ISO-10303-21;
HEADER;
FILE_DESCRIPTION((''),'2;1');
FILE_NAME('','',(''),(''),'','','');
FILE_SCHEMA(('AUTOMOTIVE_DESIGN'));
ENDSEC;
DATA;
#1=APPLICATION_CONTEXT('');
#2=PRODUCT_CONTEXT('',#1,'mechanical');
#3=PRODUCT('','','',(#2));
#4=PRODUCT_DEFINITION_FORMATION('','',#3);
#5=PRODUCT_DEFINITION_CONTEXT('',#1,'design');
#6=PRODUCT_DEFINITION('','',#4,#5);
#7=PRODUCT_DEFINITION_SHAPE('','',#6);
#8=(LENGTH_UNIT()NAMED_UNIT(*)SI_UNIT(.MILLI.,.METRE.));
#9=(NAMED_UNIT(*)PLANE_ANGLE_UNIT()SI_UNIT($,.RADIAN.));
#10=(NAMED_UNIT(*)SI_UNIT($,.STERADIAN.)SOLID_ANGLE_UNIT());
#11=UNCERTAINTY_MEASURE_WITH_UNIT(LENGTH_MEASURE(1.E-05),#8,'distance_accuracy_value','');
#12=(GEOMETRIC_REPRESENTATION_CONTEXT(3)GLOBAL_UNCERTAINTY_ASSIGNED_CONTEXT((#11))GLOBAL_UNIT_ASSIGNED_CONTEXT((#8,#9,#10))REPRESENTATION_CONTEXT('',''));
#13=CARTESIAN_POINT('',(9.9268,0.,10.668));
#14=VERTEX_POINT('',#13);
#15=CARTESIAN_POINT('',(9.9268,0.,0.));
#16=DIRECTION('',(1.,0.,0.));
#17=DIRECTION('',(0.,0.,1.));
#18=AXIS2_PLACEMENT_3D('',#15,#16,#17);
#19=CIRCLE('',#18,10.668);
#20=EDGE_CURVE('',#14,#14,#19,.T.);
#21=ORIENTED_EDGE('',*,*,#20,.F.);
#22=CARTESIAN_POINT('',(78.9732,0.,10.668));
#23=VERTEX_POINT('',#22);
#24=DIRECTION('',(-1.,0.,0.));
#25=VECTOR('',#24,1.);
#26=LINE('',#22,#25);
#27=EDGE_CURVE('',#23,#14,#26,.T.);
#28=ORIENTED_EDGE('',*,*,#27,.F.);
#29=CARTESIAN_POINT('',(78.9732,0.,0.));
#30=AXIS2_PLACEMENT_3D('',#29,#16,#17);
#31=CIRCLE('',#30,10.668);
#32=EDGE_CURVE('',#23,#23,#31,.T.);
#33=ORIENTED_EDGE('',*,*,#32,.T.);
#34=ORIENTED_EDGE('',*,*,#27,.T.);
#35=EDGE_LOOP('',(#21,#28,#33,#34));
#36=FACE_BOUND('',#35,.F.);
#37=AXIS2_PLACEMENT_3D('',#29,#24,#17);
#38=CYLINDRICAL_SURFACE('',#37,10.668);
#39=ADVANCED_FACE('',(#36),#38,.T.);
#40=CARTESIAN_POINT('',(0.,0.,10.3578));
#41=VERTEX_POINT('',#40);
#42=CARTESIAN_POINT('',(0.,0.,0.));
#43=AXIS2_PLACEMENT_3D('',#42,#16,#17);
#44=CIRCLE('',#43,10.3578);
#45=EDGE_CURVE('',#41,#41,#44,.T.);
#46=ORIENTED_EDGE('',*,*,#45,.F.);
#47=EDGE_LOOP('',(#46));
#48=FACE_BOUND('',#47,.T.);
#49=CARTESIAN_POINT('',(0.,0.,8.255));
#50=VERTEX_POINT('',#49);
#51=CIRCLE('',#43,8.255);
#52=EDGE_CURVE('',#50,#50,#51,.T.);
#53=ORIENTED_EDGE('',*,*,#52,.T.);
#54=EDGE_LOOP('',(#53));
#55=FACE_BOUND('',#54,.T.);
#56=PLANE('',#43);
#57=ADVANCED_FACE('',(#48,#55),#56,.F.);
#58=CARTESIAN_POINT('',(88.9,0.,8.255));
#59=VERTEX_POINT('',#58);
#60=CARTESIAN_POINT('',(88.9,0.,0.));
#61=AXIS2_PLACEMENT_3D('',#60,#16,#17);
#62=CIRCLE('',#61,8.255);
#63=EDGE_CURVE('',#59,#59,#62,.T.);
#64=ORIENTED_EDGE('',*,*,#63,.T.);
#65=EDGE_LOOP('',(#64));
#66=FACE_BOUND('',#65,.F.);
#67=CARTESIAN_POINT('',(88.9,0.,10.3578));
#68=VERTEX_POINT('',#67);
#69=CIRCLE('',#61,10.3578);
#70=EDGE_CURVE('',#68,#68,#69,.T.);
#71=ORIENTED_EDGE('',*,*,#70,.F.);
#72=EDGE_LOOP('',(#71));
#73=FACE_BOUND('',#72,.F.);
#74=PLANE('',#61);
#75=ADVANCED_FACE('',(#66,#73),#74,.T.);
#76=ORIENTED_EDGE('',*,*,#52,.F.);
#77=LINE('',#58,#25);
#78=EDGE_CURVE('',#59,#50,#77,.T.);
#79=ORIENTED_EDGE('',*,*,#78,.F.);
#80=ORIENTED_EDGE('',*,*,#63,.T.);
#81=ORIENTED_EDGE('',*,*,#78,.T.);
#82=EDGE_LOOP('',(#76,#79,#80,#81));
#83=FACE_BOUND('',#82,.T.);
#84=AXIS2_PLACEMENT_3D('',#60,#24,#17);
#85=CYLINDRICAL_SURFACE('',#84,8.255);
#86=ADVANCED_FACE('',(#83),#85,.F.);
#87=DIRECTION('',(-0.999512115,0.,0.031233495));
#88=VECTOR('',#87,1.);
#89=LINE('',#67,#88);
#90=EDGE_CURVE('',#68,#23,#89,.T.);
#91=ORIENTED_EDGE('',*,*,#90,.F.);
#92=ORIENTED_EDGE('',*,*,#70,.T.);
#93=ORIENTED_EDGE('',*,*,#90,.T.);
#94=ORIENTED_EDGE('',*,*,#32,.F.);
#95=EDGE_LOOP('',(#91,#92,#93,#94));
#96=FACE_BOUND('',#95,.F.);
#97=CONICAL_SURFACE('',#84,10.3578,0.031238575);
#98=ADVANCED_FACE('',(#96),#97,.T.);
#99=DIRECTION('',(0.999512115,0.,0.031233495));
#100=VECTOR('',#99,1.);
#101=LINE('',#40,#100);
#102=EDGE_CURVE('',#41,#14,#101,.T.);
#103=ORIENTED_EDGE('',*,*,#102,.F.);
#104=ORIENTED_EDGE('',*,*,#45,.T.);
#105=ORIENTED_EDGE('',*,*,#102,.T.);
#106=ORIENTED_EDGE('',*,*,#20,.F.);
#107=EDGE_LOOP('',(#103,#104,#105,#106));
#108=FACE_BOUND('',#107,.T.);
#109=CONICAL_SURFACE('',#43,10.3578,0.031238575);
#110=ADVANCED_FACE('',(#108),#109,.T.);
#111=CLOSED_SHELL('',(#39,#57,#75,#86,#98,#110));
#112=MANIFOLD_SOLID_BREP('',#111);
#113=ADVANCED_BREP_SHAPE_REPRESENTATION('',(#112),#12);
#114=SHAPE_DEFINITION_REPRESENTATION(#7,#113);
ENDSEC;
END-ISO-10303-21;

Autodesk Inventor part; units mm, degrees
ref_plane "YZ Plane" through (0, 0, 0) normal (1, 0, 0) x (0, 1, 0)
ref_plane "XZ Plane" through (0, 0, 0) normal (0, 1, 0) x (-1, 0, 0)
ref_plane "XY Plane" through (0, 0, 0) normal (0, 0, 1) x (1, 0, 0)
sketch "Sketch1" plane through (0, 0, 0) normal (0, 1, 0) x (-1, 0, 0)
  line L0 (0, 0) -> (-88.9, 0)
  line L1 (-88.9, 0) -> (-88.9, 8.255) construction
  line L2 (-88.9, 8.255) -> (-88.9, 10.3578)
  line L3 (-88.9, 10.3578) -> (-78.9732, 10.668)
  line L4 (-78.9732, 10.668) -> (-9.9268, 10.668)
  line L5 (-44.45, 0) -> (-44.45, 10.668) construction
  line L6 (-88.9, 8.255) -> (0, 8.255)
  line L7 (0, 0) -> (0, 8.255) construction
  line L8 (0, 8.255) -> (0, 10.3578)
  line L9 (0, 10.3578) -> (-9.9268, 10.668)
  line L10 (-75.344, 10.7814) -> (-75.344, 0) construction
  line L11 (-13.556, 10.7814) -> (-13.556, 0) construction
  line L12 (-78.9732, 10.668) -> (-75.344, 10.7814) construction
  line L13 (-78.9732, 10.668) -> (-78.9732, 0) construction
  line L14 (-9.9268, 10.668) -> (-13.556, 10.7814) construction
  line L15 (-9.9268, 10.668) -> (-9.9268, 0) construction
  dimension "d0" = 21.336
  dimension "d1" = 1.79
  dimension "d2" = 16.51
  dimension "d3" = 88.9
  dimension "d4" = 13.556
  dimension "d5" = 21.5628
revolve "Revolution1" add sketch "Sketch1" angle 360 about axis through (0, 0, 0) along (1, 0, 0)
thread "Thread1" size "1/2" designation "1/2 - 14 NPT" standard "NPT" full length
thread "Thread2" size "1/2" designation "1/2 - 14 NPT" standard "NPT" full length
equation "\"d0\" = OD"
equation "\"d2\" = ID"
equation "\"d3\" = L"
equation "\"d4\" = L2"
equation "\"d5\" = D2"
equation "\"OD\" = 21.336"
equation "\"t\" = 2.413"
equation "\"L\" = PL"
equation "\"L4\" = 19.8501"
equation "\"ID\" = 16.51"
equation "\"PL\" = 88.9"
equation "\"D2\" = 21.56282"
equation "\"L2\" = 13.55598"
equation "\"Size_Designation\" = 1.2345"
equation "\"PLmin\" = 2 * L2"
properties material "Steel, Wrought"
